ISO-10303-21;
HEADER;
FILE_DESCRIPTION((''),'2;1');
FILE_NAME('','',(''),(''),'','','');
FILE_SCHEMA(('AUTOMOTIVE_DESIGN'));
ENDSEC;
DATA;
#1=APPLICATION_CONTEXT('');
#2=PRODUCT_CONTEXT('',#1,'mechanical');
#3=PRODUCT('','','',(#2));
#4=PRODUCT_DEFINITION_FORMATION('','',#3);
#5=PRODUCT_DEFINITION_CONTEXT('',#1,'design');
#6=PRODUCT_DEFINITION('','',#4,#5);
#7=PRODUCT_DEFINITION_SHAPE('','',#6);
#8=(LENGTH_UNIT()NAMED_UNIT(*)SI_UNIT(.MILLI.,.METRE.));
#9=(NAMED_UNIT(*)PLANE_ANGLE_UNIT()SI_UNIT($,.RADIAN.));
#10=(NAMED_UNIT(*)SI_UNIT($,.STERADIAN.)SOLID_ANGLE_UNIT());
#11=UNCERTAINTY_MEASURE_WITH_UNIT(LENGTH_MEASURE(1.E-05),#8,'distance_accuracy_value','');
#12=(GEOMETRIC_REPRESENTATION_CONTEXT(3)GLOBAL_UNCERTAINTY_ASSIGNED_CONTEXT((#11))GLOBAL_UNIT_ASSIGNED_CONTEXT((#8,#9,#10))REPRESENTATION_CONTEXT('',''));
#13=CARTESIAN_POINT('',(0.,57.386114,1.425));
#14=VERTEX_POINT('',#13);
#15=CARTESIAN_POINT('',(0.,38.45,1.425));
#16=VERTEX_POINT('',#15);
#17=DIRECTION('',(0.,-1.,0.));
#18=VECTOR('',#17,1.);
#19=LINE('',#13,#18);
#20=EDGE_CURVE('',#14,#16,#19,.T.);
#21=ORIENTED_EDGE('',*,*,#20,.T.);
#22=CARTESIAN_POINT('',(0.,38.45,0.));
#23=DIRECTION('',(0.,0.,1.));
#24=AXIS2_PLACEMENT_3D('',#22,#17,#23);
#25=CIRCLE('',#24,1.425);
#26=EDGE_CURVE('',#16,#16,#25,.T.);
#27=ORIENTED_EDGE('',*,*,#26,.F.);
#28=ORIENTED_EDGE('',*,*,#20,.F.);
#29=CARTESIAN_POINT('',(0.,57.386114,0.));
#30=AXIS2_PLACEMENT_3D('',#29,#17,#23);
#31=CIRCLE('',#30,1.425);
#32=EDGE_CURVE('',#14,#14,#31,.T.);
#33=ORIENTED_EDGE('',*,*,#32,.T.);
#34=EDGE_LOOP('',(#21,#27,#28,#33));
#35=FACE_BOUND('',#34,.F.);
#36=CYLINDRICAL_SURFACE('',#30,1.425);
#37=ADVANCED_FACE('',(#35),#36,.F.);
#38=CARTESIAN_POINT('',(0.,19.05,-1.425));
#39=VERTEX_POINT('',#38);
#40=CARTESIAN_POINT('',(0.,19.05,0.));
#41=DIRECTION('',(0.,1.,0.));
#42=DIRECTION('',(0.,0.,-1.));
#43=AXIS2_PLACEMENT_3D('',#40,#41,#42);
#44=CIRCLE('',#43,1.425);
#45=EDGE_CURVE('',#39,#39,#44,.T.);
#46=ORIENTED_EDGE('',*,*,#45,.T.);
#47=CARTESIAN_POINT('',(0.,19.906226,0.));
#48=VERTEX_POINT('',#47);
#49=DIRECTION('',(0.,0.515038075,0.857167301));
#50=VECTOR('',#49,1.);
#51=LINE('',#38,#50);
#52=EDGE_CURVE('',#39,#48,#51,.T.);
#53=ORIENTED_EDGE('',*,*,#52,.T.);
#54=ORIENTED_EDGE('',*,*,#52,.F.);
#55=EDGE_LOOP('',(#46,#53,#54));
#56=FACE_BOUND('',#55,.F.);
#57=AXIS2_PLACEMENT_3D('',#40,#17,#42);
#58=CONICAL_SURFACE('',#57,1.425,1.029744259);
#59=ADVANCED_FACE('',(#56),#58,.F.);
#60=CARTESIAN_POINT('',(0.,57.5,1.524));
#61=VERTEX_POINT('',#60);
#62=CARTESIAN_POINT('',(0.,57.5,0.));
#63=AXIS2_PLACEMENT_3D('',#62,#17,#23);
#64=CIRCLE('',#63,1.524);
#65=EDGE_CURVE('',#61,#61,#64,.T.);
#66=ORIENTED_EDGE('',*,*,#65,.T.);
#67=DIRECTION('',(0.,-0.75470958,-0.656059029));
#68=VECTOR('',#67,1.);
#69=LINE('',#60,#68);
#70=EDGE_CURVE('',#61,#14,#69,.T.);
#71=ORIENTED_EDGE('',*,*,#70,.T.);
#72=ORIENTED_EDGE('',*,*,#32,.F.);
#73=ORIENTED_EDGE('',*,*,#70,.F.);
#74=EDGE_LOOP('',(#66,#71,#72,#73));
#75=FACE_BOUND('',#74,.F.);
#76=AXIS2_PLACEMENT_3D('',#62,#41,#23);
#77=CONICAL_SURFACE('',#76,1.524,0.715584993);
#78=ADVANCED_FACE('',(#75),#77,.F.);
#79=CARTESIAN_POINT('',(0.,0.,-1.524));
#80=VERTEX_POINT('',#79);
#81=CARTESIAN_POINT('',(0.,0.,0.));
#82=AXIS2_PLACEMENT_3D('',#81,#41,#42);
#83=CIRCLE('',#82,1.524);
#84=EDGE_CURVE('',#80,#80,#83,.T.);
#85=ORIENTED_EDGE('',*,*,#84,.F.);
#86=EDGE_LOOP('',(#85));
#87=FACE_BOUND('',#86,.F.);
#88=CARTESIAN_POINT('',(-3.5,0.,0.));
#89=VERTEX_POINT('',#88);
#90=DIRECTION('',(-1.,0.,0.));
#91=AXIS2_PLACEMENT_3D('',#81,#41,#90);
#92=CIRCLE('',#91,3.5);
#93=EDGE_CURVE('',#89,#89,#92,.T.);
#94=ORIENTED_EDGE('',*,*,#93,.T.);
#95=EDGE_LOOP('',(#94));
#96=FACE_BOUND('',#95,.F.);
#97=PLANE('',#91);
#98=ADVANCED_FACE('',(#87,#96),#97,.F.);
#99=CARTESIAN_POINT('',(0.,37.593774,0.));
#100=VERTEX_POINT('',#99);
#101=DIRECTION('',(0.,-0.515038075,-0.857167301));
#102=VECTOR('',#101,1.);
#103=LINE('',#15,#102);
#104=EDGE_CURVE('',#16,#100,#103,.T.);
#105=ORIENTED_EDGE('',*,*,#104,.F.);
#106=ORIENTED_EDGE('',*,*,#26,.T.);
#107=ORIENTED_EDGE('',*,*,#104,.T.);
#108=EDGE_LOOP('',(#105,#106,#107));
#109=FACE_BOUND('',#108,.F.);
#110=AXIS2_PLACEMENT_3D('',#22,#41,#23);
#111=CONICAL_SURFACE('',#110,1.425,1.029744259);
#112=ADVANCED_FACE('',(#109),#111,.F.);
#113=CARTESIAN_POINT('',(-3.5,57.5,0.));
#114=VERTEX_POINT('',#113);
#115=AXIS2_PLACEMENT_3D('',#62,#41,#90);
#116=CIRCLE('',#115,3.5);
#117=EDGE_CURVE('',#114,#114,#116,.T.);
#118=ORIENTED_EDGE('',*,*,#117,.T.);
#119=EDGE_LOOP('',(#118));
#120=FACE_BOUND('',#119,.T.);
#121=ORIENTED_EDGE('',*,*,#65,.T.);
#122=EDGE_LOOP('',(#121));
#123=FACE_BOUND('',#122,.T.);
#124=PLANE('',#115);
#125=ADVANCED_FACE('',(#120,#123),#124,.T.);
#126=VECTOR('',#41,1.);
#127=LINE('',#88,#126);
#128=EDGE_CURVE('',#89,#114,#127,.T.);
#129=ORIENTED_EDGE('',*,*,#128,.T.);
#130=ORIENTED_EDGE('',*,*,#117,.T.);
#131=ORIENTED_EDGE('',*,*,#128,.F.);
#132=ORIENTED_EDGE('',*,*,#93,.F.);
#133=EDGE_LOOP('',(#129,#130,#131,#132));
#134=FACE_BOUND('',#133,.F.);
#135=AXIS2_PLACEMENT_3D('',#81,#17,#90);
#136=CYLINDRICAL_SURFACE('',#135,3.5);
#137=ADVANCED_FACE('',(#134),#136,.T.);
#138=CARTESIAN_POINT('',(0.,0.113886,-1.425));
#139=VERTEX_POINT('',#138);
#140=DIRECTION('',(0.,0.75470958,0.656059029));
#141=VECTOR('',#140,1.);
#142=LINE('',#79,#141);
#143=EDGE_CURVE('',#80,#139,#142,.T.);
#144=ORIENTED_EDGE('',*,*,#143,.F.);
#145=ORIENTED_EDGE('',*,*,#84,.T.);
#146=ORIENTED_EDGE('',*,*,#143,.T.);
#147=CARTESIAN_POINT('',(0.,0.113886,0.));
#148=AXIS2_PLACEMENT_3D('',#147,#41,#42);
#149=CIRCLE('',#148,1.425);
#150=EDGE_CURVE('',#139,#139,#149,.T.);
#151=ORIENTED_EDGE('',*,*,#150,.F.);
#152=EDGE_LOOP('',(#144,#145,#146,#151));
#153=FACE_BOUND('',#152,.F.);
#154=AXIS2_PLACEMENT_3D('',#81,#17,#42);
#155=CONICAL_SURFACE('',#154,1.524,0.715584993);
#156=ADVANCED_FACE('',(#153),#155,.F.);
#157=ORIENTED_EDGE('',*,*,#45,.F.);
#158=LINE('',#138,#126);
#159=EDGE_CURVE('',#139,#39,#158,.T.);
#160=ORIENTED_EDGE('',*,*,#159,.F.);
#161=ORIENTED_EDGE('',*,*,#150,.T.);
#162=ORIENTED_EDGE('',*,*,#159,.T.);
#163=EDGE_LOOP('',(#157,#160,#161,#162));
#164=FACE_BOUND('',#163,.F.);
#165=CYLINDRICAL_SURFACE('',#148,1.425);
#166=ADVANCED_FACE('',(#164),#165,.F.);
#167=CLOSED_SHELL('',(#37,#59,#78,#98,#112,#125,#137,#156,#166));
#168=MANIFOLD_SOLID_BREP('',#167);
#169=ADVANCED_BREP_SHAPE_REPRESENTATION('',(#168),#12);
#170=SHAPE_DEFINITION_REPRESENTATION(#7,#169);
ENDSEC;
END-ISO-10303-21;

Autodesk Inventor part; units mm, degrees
ref_plane "YZ Plane" through (0, 0, 0) normal (1, 0, 0) x (0, 1, 0)
ref_plane "XZ Plane" through (0, 0, 0) normal (0, 1, 0) x (-1, 0, 0)
ref_plane "XY Plane" through (0, 0, 0) normal (0, 0, 1) x (1, 0, 0)
sketch "Sketch1" plane through (0, 0, 0) normal (0, 1, 0) x (-1, 0, 0)
  circle A0 centre (0, 0) radius 3.5
  dimension "d0" = 7
extrude "Extrusion1" add sketch "Sketch1" along normal blind 57.5
sketch "Sketch2" plane through (0, 57.5, 0) normal (0, 1, 0) x (1, 0, 0)
  circle A0 centre (0, 0) radius 0.9252
hole "Hole1" at (0, 57.5, 0) direction (0, -1, 0) diameter 2.85 depth 19.05 tip angle 118 countersink diameter 3.048 countersink angle 82 thread size "M3.5x0.6" class "6H" standard "ANSI Metric M Profile"
sketch "Sketch3" plane through (0, 0, 0) normal (0, -1, 0) x (1, 0, 0)
  circle A0 centre (0, 0) radius 1.2742
hole "Hole2" at (0, 0, 0) direction (0, 1, 0) diameter 2.85 depth 19.05 tip angle 118 countersink diameter 3.048 countersink angle 82 thread size "M3.5x0.6" class "6H" standard "ANSI Metric M Profile"
properties part number "Connectors"
